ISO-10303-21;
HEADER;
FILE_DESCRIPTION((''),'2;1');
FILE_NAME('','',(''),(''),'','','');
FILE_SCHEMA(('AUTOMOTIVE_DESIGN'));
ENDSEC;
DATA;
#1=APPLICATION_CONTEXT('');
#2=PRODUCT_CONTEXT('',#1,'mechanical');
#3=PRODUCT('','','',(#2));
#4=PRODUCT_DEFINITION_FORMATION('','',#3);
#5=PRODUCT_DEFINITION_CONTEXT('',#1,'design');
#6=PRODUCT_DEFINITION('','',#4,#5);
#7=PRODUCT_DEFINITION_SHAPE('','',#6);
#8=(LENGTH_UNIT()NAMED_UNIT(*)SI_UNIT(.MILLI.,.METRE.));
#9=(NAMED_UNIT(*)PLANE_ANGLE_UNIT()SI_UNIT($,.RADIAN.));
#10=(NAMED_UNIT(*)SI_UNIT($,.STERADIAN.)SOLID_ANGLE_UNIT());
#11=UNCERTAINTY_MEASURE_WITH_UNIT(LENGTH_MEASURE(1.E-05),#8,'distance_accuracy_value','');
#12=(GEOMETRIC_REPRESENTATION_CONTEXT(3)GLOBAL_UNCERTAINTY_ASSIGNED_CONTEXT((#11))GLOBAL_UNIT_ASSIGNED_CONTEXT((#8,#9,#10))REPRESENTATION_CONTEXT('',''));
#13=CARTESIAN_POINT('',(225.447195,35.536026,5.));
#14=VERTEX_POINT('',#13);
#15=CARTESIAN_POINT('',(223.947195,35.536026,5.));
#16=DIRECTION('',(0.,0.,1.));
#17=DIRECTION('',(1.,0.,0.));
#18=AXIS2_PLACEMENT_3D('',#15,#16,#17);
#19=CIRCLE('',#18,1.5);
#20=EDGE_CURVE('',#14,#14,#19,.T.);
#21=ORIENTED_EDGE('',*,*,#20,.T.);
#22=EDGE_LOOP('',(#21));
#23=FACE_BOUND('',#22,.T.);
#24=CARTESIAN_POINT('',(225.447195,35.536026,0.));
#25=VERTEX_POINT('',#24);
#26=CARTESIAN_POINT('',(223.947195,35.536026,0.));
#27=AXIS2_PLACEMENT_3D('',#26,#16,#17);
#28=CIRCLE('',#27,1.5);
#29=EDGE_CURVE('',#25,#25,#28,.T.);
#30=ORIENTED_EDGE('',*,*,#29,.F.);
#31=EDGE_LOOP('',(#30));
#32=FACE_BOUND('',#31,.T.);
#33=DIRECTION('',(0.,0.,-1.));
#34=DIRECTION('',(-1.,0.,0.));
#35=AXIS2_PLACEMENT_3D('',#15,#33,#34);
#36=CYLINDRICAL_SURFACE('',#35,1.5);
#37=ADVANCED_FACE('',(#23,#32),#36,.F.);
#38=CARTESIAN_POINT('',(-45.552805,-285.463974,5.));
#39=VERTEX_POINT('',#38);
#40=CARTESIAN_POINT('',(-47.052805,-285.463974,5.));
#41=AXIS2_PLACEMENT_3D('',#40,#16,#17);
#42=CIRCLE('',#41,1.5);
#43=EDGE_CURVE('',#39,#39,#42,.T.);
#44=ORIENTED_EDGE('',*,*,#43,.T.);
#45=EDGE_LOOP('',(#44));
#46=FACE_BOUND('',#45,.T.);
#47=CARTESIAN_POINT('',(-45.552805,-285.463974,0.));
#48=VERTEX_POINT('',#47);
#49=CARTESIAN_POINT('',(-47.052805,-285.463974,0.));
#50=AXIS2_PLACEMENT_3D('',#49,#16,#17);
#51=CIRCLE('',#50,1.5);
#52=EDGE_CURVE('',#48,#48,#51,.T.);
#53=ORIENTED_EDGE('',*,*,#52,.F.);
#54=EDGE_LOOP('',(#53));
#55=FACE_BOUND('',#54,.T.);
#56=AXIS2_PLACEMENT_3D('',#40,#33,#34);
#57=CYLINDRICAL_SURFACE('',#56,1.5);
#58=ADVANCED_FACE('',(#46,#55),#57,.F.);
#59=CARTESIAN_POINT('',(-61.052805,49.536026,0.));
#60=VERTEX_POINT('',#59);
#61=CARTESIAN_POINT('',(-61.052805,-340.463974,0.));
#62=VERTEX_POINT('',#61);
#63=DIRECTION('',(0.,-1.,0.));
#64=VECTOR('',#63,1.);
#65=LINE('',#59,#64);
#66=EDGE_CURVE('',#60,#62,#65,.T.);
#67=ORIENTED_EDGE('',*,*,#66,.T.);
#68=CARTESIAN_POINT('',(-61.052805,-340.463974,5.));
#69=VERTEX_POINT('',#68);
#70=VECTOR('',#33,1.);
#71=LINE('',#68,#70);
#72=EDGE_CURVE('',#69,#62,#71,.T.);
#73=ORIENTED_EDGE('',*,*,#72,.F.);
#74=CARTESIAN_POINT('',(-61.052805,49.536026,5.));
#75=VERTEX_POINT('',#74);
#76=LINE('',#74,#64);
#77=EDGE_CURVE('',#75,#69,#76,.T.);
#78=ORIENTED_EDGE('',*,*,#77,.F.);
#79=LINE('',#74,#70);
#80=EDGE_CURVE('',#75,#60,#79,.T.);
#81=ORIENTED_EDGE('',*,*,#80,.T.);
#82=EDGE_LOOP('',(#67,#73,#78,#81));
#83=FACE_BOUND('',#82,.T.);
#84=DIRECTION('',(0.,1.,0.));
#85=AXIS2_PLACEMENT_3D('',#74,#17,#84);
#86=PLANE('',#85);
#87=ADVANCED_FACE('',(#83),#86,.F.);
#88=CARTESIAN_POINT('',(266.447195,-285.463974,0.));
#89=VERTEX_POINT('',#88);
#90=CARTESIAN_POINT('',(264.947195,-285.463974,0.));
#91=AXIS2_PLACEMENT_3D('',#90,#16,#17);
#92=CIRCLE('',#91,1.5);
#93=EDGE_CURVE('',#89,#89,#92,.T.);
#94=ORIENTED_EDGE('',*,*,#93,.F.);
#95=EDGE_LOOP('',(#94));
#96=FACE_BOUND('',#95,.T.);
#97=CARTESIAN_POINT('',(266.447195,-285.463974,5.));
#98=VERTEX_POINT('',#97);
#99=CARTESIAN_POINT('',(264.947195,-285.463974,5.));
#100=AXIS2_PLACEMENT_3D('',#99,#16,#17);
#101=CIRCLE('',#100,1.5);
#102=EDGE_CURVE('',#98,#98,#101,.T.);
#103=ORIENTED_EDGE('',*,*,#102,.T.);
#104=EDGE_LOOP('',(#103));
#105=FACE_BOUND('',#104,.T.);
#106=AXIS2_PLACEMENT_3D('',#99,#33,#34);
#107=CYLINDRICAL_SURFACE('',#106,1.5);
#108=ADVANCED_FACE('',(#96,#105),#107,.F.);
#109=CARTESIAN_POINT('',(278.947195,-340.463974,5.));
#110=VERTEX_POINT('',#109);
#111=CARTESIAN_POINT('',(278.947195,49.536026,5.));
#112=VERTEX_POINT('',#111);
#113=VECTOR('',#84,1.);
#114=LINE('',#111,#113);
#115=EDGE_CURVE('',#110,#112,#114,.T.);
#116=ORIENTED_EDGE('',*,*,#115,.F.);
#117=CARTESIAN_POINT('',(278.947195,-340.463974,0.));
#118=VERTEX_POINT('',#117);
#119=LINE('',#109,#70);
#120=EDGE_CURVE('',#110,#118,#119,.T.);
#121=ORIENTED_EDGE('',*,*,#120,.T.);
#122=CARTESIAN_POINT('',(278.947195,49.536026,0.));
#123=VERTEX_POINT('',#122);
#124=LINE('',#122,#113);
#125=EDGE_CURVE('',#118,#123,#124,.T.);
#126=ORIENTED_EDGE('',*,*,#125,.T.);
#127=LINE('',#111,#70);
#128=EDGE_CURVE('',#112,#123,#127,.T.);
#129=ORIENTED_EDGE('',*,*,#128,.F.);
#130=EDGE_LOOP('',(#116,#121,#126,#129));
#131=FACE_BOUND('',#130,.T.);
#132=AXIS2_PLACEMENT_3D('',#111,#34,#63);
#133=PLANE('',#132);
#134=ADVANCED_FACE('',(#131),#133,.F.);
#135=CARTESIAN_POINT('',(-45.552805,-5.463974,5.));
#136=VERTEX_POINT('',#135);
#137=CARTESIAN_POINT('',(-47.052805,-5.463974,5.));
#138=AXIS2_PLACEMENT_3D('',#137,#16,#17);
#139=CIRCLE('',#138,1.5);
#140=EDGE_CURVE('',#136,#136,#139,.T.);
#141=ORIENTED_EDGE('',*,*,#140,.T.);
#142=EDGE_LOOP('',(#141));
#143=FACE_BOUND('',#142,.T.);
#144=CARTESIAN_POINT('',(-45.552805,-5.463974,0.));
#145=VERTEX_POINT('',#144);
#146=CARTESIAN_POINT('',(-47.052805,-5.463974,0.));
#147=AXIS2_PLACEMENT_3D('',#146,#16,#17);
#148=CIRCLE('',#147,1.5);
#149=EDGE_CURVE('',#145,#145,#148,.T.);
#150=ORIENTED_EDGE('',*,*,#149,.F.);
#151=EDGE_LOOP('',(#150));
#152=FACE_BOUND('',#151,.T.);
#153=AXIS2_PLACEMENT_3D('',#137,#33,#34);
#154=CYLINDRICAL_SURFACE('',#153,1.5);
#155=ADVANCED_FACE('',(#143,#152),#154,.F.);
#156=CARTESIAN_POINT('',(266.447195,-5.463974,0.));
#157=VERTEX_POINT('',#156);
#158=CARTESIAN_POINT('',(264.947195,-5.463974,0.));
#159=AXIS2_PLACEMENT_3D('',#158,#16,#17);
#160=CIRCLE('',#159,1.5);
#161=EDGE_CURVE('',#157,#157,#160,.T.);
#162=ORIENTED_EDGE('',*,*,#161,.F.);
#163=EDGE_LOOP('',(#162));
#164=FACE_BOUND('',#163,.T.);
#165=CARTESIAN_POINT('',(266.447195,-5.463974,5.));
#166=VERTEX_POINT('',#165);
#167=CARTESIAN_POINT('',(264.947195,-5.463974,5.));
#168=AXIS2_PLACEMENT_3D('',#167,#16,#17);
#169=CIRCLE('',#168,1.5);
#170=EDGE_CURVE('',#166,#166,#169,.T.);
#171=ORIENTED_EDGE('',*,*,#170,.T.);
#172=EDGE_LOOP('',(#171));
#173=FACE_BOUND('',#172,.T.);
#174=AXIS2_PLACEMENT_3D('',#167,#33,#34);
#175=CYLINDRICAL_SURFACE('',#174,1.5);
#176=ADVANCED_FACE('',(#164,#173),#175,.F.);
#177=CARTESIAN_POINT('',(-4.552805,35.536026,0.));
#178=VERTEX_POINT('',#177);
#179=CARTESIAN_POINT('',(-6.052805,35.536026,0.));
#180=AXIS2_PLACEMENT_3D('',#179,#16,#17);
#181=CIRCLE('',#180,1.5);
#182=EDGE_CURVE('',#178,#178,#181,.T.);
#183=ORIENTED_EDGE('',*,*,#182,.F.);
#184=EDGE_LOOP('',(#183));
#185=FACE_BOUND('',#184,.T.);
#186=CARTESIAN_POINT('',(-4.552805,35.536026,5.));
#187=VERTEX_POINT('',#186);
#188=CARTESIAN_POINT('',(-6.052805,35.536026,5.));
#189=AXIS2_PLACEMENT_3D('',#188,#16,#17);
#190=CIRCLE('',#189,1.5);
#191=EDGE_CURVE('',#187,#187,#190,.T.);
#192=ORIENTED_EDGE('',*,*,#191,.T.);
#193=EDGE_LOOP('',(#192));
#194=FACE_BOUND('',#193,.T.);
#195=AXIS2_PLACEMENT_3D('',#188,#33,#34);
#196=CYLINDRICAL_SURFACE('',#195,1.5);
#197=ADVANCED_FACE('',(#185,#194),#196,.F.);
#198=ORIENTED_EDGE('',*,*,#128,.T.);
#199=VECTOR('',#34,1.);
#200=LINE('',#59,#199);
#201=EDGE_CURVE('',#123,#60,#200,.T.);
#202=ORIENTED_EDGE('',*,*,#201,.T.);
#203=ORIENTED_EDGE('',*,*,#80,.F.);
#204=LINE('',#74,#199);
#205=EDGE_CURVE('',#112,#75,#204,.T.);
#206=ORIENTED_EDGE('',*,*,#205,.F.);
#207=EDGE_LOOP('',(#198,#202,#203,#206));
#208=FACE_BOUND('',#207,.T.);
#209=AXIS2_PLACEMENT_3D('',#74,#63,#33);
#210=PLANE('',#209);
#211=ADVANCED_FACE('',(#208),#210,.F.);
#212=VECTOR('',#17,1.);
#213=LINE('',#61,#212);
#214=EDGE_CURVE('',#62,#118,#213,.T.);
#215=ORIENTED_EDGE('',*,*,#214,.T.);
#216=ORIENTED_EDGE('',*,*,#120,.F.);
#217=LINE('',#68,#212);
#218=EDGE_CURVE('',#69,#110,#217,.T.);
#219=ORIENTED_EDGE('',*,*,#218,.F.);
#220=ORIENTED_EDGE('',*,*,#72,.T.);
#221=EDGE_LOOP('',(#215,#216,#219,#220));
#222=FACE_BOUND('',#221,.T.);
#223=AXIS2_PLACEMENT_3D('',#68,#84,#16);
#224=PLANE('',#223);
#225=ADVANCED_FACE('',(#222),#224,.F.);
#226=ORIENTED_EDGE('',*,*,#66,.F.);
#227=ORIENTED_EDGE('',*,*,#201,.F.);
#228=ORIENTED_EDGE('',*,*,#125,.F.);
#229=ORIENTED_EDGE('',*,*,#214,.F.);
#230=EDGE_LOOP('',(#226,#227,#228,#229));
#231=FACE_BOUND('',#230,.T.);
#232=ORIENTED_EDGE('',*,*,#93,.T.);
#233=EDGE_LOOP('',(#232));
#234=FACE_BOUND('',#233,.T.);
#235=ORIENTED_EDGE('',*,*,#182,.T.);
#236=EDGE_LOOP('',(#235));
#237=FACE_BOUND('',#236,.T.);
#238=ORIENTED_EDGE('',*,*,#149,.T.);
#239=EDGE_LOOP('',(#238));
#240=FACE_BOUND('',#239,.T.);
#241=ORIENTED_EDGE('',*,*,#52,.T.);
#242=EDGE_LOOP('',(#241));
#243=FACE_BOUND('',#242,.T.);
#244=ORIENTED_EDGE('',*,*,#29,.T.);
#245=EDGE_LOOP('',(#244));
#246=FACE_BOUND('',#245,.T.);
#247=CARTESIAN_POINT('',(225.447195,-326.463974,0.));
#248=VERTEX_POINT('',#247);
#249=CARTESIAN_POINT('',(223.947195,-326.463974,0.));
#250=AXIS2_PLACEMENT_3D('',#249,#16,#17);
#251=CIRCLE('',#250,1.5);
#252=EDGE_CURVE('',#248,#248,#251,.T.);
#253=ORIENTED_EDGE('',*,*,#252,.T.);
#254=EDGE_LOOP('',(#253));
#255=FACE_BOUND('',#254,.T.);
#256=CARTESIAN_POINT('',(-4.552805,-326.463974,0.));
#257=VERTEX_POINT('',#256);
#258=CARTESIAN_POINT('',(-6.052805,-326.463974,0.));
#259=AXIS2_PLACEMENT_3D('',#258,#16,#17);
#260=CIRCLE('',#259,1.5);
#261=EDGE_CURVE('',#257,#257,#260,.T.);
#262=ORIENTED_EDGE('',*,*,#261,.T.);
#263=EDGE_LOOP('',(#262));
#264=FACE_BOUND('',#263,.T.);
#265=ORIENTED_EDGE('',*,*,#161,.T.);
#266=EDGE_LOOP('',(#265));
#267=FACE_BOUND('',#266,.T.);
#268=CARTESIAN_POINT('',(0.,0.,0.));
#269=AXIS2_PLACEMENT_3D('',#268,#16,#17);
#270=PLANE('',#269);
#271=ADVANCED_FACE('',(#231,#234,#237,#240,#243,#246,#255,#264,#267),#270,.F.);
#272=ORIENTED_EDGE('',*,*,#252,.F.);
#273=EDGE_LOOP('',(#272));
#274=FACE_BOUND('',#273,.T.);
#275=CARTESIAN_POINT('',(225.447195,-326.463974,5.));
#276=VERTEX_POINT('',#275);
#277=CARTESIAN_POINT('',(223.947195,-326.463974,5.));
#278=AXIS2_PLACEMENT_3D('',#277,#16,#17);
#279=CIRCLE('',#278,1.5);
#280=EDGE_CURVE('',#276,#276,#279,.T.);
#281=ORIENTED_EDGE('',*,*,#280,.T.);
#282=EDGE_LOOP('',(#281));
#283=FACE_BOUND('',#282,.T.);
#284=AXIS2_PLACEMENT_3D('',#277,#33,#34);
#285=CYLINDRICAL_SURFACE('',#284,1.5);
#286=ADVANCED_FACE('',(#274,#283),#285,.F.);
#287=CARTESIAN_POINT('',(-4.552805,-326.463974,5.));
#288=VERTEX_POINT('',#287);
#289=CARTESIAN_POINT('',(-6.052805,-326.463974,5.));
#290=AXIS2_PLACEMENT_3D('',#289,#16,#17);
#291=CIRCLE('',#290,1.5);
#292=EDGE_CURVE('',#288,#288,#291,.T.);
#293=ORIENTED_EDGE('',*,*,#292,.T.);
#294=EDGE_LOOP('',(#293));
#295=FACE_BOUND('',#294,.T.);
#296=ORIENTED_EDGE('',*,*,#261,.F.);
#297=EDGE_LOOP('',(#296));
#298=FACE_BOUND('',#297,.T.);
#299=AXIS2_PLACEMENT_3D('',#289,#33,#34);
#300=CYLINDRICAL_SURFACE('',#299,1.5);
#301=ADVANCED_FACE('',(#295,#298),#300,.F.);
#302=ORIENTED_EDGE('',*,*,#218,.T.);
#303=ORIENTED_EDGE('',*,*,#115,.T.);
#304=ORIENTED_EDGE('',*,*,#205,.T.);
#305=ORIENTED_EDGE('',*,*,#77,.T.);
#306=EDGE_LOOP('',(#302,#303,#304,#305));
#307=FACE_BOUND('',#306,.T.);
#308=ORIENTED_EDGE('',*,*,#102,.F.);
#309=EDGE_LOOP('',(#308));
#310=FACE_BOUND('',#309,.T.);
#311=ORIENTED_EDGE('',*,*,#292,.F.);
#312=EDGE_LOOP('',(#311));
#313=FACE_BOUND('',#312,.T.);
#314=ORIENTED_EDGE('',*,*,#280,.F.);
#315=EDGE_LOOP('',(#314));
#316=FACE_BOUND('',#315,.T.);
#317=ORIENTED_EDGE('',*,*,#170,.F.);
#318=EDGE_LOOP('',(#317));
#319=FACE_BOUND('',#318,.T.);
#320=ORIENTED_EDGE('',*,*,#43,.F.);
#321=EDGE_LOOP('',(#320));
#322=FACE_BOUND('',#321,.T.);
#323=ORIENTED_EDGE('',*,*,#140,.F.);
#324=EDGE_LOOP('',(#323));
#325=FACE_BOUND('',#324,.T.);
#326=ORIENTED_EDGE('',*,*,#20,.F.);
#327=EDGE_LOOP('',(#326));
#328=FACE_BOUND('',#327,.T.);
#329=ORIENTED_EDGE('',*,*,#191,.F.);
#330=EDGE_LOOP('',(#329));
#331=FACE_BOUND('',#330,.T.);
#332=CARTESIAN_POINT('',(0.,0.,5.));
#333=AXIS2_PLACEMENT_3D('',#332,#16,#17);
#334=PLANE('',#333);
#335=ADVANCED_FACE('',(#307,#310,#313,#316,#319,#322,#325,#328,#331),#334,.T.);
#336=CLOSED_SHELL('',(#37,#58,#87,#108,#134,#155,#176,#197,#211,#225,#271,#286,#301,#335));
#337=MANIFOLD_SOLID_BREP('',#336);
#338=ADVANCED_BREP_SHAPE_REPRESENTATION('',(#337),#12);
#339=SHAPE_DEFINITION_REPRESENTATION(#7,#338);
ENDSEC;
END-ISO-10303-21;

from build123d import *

# Parameters (mm, degrees)
CROQUIS1_W              = 340
CROQUIS1_H              = 390
CROQUIS1_R              = 1.5
SALIENTE_EXTRUIR1_DEPTH = 5


with BuildPart() as part:
    # Croquis1 → Saliente-Extruir1 (new body)
    with BuildSketch(Plane.XY):
        with Locations((108.94719541, -145.463974458)):
            Rectangle(CROQUIS1_W, CROQUIS1_H)
        with Locations((-47.05280459, -285.463974458)):
            Circle(CROQUIS1_R, mode=Mode.SUBTRACT)
        with Locations((264.94719541, -285.463974458)):
            Circle(CROQUIS1_R, mode=Mode.SUBTRACT)
        with Locations((264.94719541, -5.463974458)):
            Circle(CROQUIS1_R, mode=Mode.SUBTRACT)
        with Locations((-47.05280459, -5.463974458)):
            Circle(CROQUIS1_R, mode=Mode.SUBTRACT)
        with Locations((-6.05280459, -326.463974458)):
            Circle(CROQUIS1_R, mode=Mode.SUBTRACT)
        with Locations((223.94719541, -326.463974458)):
            Circle(CROQUIS1_R, mode=Mode.SUBTRACT)
        with Locations((223.94719541, 35.536025542)):
            Circle(CROQUIS1_R, mode=Mode.SUBTRACT)
        with Locations((-6.05280459, 35.536025542)):
            Circle(CROQUIS1_R, mode=Mode.SUBTRACT)
    extrude(amount=SALIENTE_EXTRUIR1_DEPTH)


solid = part.part
